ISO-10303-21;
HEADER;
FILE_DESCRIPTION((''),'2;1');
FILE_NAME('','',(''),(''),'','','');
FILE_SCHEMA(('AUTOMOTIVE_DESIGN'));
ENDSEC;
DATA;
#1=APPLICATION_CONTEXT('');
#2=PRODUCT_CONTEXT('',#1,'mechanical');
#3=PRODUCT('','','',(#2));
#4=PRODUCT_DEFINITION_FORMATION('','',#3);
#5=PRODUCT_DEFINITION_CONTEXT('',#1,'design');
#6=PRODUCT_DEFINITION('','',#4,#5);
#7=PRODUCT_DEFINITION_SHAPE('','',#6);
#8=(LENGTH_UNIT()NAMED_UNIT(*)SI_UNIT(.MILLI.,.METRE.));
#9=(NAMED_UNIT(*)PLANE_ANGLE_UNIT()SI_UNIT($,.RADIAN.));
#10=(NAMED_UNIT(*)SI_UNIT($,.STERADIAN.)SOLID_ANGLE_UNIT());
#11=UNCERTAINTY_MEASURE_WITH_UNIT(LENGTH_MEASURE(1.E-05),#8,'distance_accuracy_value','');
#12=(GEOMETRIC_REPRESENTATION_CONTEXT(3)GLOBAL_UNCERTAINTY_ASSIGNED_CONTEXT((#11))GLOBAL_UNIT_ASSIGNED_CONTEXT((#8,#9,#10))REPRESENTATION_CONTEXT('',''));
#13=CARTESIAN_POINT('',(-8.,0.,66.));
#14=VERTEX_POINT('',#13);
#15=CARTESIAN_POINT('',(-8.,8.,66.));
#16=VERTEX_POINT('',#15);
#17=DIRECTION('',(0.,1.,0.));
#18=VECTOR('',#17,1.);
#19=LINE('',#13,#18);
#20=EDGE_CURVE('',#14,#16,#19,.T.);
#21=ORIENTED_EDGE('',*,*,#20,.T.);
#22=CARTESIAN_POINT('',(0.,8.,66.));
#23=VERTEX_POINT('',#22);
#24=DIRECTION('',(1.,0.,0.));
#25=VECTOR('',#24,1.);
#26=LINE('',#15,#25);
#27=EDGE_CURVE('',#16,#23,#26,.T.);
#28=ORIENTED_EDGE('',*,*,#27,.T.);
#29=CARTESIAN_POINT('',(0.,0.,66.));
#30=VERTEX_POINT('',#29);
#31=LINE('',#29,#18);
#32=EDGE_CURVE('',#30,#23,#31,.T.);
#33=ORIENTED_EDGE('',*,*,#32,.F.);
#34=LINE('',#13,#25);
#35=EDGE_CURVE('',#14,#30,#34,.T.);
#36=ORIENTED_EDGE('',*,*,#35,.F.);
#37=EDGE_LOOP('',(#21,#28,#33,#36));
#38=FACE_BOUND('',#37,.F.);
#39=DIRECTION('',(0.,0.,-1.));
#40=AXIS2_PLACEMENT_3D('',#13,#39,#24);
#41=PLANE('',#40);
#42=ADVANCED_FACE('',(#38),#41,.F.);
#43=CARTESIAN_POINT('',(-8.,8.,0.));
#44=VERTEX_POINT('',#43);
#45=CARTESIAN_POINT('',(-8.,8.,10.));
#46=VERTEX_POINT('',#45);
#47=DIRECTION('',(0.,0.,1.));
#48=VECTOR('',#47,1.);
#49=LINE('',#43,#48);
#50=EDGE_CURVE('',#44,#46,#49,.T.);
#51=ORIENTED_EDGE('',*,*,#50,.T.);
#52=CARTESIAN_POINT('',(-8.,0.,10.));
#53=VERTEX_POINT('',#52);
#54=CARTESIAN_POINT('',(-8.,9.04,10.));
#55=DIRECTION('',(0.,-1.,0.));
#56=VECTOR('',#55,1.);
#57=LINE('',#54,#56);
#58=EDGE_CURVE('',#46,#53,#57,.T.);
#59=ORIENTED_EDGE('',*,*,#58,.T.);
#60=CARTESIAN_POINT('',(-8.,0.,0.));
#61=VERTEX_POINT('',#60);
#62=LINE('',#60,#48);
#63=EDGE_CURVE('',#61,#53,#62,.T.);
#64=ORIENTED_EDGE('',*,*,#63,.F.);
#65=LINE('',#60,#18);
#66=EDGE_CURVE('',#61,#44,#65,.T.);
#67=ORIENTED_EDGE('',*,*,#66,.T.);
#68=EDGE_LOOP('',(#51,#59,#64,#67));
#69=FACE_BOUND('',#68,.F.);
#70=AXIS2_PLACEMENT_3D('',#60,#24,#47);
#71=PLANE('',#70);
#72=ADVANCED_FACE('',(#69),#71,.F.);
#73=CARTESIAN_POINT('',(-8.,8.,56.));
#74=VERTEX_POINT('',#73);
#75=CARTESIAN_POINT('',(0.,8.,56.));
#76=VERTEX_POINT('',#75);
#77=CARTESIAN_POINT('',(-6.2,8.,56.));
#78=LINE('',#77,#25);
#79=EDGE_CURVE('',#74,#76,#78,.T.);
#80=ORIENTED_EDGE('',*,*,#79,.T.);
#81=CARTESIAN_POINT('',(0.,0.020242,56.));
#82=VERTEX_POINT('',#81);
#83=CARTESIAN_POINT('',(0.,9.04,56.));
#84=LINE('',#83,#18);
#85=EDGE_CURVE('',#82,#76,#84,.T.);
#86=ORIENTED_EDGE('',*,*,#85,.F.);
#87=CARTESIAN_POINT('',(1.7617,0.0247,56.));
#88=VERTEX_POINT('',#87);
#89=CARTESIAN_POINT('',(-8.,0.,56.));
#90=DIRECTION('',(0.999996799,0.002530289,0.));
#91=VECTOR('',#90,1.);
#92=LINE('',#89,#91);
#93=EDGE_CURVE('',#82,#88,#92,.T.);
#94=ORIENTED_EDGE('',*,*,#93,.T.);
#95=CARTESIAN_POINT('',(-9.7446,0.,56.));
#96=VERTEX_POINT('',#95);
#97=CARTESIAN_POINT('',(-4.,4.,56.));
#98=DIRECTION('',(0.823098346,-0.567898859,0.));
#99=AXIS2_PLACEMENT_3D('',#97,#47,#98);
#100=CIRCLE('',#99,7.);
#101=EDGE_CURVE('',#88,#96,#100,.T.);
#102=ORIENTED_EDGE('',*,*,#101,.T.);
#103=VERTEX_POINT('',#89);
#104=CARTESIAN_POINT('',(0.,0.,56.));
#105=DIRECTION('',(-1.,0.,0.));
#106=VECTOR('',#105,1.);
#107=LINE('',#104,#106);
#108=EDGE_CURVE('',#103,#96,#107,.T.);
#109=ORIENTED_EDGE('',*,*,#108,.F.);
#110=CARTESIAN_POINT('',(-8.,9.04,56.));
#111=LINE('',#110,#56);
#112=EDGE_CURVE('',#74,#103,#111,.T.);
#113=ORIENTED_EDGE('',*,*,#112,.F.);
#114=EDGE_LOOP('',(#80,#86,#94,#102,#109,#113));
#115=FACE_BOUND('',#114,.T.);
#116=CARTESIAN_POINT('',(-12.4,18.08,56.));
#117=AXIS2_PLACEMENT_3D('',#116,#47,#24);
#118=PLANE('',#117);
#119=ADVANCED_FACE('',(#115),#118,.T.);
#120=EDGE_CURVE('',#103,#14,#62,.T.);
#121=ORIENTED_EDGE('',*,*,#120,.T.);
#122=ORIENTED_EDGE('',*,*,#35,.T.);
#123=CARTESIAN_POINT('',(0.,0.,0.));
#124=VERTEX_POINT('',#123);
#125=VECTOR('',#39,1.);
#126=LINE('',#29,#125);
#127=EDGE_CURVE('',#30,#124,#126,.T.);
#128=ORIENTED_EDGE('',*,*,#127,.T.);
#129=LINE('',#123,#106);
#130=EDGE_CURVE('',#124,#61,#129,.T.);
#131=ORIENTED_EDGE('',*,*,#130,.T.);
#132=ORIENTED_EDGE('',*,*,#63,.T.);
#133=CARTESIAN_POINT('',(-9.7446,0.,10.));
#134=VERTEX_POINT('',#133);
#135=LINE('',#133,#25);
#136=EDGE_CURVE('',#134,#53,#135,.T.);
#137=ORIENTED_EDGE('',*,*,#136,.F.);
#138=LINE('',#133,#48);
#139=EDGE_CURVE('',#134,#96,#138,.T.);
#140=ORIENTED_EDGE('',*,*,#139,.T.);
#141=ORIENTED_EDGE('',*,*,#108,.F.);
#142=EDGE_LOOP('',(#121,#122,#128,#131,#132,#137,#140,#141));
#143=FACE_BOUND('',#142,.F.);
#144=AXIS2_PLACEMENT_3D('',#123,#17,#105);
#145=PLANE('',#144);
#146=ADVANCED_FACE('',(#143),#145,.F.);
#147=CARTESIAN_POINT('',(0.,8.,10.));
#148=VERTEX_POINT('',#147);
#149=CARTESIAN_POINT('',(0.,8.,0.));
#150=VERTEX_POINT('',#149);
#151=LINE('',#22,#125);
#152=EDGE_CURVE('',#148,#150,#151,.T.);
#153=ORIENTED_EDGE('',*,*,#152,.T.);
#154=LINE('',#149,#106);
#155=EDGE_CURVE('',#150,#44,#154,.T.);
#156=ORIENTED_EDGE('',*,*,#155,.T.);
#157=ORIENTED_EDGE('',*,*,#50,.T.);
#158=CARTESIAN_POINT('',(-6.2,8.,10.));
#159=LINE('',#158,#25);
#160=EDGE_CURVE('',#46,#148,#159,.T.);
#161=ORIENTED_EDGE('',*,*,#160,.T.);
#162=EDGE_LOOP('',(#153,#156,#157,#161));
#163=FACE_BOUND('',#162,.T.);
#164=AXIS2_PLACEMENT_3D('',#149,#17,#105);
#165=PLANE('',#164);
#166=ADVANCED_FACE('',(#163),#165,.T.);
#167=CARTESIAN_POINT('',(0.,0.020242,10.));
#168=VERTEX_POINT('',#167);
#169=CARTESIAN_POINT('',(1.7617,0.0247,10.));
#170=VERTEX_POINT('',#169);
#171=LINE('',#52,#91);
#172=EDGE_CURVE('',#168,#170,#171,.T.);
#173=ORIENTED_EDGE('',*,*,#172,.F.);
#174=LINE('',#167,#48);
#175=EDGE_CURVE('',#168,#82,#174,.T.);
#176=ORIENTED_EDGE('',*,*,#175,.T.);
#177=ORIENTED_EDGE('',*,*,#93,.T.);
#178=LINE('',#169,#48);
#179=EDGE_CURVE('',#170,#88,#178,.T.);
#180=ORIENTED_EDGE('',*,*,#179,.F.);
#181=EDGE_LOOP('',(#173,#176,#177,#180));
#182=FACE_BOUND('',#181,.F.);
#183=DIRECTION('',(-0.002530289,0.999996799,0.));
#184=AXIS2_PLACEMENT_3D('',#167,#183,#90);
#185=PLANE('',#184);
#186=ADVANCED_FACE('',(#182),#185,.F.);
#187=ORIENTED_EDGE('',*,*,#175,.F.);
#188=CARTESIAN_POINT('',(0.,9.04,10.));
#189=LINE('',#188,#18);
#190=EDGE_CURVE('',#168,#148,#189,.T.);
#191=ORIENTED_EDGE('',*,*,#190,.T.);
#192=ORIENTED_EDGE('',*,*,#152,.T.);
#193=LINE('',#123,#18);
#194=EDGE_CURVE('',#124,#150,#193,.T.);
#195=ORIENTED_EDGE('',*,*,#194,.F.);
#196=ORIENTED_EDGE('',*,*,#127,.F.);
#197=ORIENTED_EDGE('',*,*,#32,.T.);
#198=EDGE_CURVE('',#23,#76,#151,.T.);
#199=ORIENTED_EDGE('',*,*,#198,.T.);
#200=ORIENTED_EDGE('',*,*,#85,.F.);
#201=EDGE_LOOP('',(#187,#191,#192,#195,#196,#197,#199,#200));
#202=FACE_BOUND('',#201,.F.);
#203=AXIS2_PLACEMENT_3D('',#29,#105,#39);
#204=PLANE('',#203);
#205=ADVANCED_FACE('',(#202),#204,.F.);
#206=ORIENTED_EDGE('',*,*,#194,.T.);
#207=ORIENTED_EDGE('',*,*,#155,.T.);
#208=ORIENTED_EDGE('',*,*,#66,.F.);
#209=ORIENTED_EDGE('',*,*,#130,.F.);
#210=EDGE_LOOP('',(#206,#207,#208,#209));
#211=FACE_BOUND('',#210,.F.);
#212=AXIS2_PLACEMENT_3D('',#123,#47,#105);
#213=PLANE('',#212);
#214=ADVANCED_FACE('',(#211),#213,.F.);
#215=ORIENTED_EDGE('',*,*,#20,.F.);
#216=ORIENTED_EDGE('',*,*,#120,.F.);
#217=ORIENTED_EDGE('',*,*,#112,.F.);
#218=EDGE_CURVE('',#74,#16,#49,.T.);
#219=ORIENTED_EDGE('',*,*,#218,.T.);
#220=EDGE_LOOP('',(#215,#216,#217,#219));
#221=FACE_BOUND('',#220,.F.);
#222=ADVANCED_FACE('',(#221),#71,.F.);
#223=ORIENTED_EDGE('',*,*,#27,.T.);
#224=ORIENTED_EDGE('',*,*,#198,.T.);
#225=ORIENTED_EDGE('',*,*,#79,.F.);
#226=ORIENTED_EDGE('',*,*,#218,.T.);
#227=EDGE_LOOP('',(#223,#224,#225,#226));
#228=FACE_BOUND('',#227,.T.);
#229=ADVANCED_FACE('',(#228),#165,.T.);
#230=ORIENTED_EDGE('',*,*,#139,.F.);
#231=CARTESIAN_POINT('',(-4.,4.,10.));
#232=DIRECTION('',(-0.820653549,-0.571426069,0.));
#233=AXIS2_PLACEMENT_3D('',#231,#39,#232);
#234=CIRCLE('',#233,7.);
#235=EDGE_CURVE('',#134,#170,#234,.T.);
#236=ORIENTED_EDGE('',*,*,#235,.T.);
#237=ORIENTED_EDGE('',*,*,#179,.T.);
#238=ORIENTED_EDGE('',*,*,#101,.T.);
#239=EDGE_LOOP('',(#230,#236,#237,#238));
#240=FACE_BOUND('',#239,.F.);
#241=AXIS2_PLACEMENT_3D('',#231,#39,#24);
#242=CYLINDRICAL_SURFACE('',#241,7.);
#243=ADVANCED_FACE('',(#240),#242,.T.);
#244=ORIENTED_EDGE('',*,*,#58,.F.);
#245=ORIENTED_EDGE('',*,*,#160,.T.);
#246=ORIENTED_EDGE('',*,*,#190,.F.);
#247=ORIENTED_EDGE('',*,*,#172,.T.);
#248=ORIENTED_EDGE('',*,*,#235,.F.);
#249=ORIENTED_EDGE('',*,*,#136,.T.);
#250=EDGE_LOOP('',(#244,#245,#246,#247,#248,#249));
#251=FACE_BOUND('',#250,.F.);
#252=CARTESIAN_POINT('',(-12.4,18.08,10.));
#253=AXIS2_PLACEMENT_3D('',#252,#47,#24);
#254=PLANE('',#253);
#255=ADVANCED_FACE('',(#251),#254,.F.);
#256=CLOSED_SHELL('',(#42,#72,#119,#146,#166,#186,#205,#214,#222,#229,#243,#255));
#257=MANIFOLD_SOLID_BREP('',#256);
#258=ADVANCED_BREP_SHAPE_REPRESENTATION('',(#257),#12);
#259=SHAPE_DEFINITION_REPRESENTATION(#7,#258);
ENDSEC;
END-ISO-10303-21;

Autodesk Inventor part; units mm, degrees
ref_plane "YZ Plane" through (0, 0, 0) normal (1, 0, 0) x (0, 1, 0)
ref_plane "XZ Plane" through (0, 0, 0) normal (0, 1, 0) x (-1, 0, 0)
sketch "Boceto1" plane through (0, 0, 0) normal (0, 1, 0) x (-1, 0, 0)
  line L0 (0, 0) -> (8, 0)
  line L1 (8, 0) -> (8, 66)
  line L2 (8, 66) -> (0, 66)
  line L3 (0, 66) -> (0, 0)
  dimension "d0" = 8
  dimension "d1" = 66
extrude "Extrusión1" add sketch "Boceto1" along normal blind 8
ref_plane "Plano de trabajo1" through (-12.4, 18.08, 10) normal (0, 0, 1) x (1, 0, 0)
sketch "Boceto2" plane through (-12.4, 18.08, 10) normal (0, 0, 1) x (1, 0, 0)
  line L0 (4.4, -18.08) -> (12.4, -18.08) projected
  line L1 (12.4, -18.08) -> (12.4, -10.08) projected
  line L2 (4.4, -10.08) -> (12.4, -10.08) projected
  line L3 (4.4, -18.08) -> (4.4, -10.08) projected
  line L4 (8.4, -18.08) -> (8.4, -7.08)
  circle A0 centre (8.4, -14.08) radius 7
  line L5 (4.4, -18.08) -> (2.6554, -18.08)
  line L6 (4.4, -18.08) -> (14.1617, -18.0553)
  point P0 (12.4, -18.0597)
  dimension "d4" = 11
ref_plane "Plano de trabajo2" through (-29.9, -16.92, 56) normal (0, 0, -1) x (0, 1, 0)
extrude "Extrusión2" add sketch "Boceto2" along normal up to surface (46 mm away) contours L6 L4 L0 | L5 A0 L4 L2 L3 | L3 L2 L4 L6 | L4 L6 L1 L0 | L4 L2 L1 L6 | L4 A0 L6 L1 L2
properties part number "Refuerzo bisagra"
